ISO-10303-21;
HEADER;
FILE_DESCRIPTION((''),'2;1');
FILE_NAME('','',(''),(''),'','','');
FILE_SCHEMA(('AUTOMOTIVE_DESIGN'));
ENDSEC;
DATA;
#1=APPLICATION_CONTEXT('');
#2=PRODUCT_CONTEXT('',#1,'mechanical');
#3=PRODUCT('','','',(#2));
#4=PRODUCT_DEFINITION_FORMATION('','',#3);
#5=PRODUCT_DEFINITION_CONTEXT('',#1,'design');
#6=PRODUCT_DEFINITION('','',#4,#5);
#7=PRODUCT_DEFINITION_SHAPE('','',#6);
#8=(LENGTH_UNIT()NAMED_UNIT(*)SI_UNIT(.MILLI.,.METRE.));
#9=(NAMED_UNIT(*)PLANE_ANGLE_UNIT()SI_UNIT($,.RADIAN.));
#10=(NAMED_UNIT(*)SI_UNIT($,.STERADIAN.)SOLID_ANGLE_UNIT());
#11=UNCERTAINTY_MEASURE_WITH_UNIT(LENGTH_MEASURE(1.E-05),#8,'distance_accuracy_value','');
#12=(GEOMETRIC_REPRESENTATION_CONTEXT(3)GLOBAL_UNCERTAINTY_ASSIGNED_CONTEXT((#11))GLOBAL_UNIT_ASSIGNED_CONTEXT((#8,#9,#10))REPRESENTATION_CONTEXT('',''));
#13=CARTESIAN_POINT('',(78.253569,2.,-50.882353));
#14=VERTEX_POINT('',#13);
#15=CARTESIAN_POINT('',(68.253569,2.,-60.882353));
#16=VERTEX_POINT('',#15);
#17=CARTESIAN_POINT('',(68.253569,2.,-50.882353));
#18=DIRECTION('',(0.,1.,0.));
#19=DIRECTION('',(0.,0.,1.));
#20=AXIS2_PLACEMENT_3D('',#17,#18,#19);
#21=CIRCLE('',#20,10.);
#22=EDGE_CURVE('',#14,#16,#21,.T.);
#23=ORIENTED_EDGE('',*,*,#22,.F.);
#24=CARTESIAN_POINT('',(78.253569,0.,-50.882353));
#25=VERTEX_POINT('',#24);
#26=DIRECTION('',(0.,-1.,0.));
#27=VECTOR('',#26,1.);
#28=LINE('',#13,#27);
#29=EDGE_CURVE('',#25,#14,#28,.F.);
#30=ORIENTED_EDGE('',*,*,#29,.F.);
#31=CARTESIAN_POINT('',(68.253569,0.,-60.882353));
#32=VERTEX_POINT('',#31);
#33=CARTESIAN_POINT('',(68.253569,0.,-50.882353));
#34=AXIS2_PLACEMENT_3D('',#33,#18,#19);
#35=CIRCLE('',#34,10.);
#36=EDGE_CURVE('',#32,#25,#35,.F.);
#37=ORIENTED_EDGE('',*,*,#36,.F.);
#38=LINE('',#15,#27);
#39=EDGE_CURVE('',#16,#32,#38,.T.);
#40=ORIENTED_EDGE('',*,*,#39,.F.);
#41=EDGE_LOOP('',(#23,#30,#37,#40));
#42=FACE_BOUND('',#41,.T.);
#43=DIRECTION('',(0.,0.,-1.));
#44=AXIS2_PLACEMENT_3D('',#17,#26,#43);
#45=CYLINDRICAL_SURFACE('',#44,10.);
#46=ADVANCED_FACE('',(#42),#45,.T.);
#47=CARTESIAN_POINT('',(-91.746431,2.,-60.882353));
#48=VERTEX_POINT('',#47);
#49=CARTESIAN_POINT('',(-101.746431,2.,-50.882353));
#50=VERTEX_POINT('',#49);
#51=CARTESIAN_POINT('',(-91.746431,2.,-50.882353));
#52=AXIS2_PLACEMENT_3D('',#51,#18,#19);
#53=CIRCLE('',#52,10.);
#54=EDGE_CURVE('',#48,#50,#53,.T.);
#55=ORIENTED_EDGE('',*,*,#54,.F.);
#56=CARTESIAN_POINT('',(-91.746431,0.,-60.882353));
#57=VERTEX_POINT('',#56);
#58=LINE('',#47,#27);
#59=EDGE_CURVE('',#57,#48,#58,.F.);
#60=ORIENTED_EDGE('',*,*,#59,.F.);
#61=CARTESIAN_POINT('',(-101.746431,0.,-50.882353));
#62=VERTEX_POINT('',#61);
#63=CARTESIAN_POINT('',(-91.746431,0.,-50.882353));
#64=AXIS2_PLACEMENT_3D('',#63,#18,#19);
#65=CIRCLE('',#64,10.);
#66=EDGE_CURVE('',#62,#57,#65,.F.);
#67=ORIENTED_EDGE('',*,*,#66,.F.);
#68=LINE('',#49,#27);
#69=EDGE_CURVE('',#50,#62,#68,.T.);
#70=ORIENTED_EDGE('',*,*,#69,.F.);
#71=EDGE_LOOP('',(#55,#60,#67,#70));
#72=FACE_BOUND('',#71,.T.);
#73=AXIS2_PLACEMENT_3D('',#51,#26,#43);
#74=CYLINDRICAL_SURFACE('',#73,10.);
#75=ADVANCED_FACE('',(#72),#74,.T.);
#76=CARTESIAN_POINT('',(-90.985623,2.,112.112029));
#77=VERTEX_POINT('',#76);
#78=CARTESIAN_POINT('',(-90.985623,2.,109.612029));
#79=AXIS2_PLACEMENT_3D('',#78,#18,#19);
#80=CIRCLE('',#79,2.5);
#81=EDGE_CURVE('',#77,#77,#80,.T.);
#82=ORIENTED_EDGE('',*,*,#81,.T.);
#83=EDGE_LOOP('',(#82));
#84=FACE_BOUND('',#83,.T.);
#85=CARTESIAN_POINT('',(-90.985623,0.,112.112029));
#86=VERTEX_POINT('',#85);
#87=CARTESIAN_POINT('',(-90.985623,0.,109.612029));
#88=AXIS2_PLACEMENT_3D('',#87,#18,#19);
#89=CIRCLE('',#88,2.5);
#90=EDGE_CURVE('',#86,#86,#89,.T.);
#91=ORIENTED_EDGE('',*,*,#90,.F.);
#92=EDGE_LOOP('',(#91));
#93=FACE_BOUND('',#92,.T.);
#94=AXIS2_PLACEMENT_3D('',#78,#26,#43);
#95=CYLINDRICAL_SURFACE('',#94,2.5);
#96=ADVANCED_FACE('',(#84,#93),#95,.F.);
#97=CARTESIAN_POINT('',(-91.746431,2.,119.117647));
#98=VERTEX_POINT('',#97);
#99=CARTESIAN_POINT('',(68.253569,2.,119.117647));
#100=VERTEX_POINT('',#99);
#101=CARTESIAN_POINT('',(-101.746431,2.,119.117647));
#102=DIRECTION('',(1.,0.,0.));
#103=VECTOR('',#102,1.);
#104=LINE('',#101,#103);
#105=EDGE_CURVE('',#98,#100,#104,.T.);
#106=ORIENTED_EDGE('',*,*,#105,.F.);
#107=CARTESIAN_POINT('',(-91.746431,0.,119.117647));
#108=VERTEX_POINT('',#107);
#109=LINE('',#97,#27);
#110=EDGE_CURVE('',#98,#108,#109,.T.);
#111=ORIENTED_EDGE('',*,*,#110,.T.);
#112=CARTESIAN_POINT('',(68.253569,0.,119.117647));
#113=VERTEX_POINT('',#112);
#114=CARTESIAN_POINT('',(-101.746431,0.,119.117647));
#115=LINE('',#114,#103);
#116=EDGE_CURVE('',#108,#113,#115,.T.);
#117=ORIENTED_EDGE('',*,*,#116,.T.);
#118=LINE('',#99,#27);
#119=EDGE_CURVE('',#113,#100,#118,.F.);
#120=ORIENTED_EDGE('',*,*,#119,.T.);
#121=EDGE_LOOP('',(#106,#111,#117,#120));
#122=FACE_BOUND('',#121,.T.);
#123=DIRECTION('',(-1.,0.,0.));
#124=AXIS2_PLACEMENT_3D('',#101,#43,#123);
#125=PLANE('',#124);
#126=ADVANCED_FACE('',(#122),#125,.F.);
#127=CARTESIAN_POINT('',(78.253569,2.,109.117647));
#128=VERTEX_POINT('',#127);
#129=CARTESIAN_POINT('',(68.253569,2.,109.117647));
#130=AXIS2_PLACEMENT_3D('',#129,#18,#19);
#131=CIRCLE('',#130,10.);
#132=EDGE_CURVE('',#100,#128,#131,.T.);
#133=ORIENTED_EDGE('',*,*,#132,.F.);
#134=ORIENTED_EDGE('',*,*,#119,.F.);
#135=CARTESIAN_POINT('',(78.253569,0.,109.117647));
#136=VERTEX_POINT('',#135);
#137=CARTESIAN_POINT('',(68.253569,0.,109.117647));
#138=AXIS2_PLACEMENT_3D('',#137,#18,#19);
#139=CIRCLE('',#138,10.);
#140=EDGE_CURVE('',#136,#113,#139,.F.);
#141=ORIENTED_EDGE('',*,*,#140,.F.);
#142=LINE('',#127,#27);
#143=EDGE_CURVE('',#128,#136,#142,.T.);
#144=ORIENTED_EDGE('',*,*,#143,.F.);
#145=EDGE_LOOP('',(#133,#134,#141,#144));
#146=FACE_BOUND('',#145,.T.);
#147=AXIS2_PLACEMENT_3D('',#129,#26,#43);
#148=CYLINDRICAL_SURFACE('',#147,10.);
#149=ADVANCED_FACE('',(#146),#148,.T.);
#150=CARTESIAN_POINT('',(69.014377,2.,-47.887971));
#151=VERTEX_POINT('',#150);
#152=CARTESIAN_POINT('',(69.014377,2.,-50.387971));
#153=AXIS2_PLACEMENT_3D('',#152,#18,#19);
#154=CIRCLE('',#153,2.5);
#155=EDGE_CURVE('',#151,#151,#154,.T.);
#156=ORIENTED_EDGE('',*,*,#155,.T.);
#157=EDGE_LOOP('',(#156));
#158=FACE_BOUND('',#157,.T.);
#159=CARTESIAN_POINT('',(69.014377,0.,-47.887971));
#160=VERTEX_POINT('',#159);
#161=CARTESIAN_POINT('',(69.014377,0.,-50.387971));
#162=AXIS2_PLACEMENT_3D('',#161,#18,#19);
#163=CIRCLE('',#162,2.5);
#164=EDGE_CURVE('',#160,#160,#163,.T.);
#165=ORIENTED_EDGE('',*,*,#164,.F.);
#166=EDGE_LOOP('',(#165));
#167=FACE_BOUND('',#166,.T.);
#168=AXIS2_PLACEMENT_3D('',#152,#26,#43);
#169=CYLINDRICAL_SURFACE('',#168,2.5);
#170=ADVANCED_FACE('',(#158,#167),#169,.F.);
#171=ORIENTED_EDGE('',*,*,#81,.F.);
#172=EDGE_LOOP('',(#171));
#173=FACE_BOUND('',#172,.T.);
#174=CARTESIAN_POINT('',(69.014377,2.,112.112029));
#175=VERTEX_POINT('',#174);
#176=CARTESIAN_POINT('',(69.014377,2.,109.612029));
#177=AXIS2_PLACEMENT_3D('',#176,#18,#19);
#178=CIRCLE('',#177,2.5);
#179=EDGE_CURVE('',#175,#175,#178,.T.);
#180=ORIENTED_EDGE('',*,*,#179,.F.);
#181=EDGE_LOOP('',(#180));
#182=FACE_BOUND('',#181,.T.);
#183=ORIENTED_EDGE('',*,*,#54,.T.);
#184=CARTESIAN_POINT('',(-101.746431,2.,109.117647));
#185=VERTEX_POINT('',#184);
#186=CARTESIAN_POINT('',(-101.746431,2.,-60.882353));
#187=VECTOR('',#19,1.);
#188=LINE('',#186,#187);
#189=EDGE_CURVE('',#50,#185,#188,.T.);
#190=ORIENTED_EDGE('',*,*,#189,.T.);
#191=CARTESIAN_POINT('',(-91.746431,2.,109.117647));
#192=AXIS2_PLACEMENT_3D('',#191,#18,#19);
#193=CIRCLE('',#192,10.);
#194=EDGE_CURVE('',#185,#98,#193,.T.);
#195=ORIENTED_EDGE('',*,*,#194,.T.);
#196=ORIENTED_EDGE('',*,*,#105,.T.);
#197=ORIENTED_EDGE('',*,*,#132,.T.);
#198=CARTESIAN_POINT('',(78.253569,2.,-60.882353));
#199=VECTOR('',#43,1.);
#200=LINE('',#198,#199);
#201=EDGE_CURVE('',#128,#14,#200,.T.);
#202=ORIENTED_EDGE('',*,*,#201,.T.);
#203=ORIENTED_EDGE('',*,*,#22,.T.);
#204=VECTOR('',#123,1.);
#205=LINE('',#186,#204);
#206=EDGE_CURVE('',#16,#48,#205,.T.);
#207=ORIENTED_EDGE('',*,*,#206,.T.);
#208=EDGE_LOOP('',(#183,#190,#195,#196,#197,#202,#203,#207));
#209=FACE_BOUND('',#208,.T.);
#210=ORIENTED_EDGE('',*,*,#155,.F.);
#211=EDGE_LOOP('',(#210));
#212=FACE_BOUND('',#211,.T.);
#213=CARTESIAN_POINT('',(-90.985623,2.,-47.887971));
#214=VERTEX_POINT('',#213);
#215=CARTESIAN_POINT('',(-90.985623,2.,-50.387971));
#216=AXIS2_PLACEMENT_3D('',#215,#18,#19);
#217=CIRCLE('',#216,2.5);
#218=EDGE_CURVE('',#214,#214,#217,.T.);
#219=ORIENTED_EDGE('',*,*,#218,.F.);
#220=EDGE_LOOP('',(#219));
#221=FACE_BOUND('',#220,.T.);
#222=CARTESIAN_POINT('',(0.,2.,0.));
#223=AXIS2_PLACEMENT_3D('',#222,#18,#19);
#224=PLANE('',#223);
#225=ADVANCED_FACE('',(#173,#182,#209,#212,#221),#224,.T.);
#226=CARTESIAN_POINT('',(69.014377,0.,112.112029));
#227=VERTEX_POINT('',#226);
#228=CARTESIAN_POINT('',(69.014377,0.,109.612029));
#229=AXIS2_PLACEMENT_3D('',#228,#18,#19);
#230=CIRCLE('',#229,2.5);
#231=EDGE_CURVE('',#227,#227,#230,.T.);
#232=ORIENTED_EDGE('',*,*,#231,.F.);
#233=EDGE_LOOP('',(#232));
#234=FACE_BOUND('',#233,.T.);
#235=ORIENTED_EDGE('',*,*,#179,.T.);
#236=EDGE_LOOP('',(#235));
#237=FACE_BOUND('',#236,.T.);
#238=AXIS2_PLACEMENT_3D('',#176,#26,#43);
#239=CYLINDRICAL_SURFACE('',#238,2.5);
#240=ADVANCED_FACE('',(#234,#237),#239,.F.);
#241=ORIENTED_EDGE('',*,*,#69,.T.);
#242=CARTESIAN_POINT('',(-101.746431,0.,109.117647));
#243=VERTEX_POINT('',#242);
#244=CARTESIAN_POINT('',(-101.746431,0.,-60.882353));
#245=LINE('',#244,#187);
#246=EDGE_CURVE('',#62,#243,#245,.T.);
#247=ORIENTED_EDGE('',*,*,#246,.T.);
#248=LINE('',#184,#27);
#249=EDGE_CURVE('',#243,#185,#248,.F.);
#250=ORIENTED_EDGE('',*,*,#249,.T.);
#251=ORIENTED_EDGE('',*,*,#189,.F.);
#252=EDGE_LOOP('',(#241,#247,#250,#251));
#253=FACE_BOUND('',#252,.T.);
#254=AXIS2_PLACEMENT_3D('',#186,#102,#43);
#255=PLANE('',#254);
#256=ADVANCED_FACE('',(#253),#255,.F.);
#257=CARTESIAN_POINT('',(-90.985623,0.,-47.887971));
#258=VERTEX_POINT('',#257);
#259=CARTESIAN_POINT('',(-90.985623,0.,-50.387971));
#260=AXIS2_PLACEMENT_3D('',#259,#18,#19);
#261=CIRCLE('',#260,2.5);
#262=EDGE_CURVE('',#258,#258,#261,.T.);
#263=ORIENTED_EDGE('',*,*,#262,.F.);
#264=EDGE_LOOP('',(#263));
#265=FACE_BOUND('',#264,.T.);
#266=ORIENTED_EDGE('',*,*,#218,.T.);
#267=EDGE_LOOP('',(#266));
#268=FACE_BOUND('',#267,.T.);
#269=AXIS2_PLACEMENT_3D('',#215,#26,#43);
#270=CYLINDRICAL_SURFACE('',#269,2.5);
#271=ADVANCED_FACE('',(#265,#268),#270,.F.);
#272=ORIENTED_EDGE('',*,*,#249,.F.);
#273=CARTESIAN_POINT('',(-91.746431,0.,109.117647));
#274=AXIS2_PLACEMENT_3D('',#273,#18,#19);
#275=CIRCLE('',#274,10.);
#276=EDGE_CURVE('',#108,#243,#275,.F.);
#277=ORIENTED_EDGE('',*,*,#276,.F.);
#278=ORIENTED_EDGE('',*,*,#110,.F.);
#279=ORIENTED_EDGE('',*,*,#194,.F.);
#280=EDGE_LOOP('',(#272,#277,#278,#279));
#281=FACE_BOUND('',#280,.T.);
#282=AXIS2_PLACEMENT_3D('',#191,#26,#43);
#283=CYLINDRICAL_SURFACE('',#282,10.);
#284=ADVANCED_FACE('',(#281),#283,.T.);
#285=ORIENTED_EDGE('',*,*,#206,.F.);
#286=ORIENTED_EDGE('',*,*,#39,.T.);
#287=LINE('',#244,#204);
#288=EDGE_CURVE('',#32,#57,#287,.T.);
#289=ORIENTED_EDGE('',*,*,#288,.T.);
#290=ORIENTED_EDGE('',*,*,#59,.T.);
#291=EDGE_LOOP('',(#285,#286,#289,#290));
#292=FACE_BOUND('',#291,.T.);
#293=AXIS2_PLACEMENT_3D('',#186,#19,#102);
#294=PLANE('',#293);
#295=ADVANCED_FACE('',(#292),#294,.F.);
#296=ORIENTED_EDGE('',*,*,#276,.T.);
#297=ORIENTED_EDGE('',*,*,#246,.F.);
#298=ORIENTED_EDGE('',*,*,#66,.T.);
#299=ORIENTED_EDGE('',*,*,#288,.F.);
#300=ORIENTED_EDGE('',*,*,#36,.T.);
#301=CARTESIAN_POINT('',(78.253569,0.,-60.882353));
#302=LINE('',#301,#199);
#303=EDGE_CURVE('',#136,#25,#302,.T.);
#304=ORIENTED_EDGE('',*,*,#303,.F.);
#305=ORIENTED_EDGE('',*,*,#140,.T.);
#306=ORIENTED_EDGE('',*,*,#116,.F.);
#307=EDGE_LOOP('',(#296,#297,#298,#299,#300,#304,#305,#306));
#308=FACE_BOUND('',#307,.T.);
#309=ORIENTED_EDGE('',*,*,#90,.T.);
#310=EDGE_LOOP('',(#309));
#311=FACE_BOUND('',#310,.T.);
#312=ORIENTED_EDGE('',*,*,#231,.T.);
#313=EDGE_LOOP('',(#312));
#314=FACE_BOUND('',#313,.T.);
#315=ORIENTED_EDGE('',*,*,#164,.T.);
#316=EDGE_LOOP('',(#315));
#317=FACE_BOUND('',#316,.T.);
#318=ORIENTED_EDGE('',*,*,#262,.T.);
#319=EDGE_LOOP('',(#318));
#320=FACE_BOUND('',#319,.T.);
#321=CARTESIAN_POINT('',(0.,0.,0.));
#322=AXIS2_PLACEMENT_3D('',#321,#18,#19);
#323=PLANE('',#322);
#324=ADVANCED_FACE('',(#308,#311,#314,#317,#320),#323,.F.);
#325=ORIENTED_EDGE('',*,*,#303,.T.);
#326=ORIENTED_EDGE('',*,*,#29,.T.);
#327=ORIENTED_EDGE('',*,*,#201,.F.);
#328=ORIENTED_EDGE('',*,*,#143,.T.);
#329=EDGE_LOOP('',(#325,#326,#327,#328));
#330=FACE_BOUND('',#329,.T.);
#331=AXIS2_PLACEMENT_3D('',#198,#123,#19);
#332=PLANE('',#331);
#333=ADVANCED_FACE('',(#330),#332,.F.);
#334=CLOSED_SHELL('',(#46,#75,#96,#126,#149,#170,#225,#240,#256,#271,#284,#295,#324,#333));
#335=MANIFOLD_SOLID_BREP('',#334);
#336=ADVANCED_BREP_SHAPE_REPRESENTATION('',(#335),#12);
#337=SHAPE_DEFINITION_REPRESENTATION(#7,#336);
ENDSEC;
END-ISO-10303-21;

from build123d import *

# Parameters (mm, degrees)
SKETCH1_W           = 180
SKETCH1_H           = 180
SKETCH1_R           = 2.5
BOSS_EXTRUDE1_DEPTH = 2
FILLET1_R           = 10


with BuildPart() as part:
    # Sketch1 → Boss-Extrude1 (new body)
    with BuildSketch(Plane(origin=(0, 0, 0), x_dir=(1, 0, 0), z_dir=(0, 1, 0))):
        with Locations((-11.746430923, -29.117647059)):
            Rectangle(SKETCH1_W, SKETCH1_H)
        with Locations((-90.985623289, 50.387970606)):
            Circle(SKETCH1_R, mode=Mode.SUBTRACT)
        with Locations((69.014376711, 50.387970606)):
            Circle(SKETCH1_R, mode=Mode.SUBTRACT)
        with Locations((-90.985623289, -109.612029394)):
            Circle(SKETCH1_R, mode=Mode.SUBTRACT)
        with Locations((69.014376711, -109.612029394)):
            Circle(SKETCH1_R, mode=Mode.SUBTRACT)
    extrude(amount=BOSS_EXTRUDE1_DEPTH)

    # Fillet1
    fillet1_edges = [part.edges().sort_by_distance(p)[0] for p in [
        (-101.746430923, 1, -60.882352941),
        (78.253569077, 1, -60.882352941),
        (78.253569077, 1, 119.117647059),
        (-101.746430923, 1, 119.117647059),
    ]]
    fillet(fillet1_edges, radius=FILLET1_R)


solid = part.part
